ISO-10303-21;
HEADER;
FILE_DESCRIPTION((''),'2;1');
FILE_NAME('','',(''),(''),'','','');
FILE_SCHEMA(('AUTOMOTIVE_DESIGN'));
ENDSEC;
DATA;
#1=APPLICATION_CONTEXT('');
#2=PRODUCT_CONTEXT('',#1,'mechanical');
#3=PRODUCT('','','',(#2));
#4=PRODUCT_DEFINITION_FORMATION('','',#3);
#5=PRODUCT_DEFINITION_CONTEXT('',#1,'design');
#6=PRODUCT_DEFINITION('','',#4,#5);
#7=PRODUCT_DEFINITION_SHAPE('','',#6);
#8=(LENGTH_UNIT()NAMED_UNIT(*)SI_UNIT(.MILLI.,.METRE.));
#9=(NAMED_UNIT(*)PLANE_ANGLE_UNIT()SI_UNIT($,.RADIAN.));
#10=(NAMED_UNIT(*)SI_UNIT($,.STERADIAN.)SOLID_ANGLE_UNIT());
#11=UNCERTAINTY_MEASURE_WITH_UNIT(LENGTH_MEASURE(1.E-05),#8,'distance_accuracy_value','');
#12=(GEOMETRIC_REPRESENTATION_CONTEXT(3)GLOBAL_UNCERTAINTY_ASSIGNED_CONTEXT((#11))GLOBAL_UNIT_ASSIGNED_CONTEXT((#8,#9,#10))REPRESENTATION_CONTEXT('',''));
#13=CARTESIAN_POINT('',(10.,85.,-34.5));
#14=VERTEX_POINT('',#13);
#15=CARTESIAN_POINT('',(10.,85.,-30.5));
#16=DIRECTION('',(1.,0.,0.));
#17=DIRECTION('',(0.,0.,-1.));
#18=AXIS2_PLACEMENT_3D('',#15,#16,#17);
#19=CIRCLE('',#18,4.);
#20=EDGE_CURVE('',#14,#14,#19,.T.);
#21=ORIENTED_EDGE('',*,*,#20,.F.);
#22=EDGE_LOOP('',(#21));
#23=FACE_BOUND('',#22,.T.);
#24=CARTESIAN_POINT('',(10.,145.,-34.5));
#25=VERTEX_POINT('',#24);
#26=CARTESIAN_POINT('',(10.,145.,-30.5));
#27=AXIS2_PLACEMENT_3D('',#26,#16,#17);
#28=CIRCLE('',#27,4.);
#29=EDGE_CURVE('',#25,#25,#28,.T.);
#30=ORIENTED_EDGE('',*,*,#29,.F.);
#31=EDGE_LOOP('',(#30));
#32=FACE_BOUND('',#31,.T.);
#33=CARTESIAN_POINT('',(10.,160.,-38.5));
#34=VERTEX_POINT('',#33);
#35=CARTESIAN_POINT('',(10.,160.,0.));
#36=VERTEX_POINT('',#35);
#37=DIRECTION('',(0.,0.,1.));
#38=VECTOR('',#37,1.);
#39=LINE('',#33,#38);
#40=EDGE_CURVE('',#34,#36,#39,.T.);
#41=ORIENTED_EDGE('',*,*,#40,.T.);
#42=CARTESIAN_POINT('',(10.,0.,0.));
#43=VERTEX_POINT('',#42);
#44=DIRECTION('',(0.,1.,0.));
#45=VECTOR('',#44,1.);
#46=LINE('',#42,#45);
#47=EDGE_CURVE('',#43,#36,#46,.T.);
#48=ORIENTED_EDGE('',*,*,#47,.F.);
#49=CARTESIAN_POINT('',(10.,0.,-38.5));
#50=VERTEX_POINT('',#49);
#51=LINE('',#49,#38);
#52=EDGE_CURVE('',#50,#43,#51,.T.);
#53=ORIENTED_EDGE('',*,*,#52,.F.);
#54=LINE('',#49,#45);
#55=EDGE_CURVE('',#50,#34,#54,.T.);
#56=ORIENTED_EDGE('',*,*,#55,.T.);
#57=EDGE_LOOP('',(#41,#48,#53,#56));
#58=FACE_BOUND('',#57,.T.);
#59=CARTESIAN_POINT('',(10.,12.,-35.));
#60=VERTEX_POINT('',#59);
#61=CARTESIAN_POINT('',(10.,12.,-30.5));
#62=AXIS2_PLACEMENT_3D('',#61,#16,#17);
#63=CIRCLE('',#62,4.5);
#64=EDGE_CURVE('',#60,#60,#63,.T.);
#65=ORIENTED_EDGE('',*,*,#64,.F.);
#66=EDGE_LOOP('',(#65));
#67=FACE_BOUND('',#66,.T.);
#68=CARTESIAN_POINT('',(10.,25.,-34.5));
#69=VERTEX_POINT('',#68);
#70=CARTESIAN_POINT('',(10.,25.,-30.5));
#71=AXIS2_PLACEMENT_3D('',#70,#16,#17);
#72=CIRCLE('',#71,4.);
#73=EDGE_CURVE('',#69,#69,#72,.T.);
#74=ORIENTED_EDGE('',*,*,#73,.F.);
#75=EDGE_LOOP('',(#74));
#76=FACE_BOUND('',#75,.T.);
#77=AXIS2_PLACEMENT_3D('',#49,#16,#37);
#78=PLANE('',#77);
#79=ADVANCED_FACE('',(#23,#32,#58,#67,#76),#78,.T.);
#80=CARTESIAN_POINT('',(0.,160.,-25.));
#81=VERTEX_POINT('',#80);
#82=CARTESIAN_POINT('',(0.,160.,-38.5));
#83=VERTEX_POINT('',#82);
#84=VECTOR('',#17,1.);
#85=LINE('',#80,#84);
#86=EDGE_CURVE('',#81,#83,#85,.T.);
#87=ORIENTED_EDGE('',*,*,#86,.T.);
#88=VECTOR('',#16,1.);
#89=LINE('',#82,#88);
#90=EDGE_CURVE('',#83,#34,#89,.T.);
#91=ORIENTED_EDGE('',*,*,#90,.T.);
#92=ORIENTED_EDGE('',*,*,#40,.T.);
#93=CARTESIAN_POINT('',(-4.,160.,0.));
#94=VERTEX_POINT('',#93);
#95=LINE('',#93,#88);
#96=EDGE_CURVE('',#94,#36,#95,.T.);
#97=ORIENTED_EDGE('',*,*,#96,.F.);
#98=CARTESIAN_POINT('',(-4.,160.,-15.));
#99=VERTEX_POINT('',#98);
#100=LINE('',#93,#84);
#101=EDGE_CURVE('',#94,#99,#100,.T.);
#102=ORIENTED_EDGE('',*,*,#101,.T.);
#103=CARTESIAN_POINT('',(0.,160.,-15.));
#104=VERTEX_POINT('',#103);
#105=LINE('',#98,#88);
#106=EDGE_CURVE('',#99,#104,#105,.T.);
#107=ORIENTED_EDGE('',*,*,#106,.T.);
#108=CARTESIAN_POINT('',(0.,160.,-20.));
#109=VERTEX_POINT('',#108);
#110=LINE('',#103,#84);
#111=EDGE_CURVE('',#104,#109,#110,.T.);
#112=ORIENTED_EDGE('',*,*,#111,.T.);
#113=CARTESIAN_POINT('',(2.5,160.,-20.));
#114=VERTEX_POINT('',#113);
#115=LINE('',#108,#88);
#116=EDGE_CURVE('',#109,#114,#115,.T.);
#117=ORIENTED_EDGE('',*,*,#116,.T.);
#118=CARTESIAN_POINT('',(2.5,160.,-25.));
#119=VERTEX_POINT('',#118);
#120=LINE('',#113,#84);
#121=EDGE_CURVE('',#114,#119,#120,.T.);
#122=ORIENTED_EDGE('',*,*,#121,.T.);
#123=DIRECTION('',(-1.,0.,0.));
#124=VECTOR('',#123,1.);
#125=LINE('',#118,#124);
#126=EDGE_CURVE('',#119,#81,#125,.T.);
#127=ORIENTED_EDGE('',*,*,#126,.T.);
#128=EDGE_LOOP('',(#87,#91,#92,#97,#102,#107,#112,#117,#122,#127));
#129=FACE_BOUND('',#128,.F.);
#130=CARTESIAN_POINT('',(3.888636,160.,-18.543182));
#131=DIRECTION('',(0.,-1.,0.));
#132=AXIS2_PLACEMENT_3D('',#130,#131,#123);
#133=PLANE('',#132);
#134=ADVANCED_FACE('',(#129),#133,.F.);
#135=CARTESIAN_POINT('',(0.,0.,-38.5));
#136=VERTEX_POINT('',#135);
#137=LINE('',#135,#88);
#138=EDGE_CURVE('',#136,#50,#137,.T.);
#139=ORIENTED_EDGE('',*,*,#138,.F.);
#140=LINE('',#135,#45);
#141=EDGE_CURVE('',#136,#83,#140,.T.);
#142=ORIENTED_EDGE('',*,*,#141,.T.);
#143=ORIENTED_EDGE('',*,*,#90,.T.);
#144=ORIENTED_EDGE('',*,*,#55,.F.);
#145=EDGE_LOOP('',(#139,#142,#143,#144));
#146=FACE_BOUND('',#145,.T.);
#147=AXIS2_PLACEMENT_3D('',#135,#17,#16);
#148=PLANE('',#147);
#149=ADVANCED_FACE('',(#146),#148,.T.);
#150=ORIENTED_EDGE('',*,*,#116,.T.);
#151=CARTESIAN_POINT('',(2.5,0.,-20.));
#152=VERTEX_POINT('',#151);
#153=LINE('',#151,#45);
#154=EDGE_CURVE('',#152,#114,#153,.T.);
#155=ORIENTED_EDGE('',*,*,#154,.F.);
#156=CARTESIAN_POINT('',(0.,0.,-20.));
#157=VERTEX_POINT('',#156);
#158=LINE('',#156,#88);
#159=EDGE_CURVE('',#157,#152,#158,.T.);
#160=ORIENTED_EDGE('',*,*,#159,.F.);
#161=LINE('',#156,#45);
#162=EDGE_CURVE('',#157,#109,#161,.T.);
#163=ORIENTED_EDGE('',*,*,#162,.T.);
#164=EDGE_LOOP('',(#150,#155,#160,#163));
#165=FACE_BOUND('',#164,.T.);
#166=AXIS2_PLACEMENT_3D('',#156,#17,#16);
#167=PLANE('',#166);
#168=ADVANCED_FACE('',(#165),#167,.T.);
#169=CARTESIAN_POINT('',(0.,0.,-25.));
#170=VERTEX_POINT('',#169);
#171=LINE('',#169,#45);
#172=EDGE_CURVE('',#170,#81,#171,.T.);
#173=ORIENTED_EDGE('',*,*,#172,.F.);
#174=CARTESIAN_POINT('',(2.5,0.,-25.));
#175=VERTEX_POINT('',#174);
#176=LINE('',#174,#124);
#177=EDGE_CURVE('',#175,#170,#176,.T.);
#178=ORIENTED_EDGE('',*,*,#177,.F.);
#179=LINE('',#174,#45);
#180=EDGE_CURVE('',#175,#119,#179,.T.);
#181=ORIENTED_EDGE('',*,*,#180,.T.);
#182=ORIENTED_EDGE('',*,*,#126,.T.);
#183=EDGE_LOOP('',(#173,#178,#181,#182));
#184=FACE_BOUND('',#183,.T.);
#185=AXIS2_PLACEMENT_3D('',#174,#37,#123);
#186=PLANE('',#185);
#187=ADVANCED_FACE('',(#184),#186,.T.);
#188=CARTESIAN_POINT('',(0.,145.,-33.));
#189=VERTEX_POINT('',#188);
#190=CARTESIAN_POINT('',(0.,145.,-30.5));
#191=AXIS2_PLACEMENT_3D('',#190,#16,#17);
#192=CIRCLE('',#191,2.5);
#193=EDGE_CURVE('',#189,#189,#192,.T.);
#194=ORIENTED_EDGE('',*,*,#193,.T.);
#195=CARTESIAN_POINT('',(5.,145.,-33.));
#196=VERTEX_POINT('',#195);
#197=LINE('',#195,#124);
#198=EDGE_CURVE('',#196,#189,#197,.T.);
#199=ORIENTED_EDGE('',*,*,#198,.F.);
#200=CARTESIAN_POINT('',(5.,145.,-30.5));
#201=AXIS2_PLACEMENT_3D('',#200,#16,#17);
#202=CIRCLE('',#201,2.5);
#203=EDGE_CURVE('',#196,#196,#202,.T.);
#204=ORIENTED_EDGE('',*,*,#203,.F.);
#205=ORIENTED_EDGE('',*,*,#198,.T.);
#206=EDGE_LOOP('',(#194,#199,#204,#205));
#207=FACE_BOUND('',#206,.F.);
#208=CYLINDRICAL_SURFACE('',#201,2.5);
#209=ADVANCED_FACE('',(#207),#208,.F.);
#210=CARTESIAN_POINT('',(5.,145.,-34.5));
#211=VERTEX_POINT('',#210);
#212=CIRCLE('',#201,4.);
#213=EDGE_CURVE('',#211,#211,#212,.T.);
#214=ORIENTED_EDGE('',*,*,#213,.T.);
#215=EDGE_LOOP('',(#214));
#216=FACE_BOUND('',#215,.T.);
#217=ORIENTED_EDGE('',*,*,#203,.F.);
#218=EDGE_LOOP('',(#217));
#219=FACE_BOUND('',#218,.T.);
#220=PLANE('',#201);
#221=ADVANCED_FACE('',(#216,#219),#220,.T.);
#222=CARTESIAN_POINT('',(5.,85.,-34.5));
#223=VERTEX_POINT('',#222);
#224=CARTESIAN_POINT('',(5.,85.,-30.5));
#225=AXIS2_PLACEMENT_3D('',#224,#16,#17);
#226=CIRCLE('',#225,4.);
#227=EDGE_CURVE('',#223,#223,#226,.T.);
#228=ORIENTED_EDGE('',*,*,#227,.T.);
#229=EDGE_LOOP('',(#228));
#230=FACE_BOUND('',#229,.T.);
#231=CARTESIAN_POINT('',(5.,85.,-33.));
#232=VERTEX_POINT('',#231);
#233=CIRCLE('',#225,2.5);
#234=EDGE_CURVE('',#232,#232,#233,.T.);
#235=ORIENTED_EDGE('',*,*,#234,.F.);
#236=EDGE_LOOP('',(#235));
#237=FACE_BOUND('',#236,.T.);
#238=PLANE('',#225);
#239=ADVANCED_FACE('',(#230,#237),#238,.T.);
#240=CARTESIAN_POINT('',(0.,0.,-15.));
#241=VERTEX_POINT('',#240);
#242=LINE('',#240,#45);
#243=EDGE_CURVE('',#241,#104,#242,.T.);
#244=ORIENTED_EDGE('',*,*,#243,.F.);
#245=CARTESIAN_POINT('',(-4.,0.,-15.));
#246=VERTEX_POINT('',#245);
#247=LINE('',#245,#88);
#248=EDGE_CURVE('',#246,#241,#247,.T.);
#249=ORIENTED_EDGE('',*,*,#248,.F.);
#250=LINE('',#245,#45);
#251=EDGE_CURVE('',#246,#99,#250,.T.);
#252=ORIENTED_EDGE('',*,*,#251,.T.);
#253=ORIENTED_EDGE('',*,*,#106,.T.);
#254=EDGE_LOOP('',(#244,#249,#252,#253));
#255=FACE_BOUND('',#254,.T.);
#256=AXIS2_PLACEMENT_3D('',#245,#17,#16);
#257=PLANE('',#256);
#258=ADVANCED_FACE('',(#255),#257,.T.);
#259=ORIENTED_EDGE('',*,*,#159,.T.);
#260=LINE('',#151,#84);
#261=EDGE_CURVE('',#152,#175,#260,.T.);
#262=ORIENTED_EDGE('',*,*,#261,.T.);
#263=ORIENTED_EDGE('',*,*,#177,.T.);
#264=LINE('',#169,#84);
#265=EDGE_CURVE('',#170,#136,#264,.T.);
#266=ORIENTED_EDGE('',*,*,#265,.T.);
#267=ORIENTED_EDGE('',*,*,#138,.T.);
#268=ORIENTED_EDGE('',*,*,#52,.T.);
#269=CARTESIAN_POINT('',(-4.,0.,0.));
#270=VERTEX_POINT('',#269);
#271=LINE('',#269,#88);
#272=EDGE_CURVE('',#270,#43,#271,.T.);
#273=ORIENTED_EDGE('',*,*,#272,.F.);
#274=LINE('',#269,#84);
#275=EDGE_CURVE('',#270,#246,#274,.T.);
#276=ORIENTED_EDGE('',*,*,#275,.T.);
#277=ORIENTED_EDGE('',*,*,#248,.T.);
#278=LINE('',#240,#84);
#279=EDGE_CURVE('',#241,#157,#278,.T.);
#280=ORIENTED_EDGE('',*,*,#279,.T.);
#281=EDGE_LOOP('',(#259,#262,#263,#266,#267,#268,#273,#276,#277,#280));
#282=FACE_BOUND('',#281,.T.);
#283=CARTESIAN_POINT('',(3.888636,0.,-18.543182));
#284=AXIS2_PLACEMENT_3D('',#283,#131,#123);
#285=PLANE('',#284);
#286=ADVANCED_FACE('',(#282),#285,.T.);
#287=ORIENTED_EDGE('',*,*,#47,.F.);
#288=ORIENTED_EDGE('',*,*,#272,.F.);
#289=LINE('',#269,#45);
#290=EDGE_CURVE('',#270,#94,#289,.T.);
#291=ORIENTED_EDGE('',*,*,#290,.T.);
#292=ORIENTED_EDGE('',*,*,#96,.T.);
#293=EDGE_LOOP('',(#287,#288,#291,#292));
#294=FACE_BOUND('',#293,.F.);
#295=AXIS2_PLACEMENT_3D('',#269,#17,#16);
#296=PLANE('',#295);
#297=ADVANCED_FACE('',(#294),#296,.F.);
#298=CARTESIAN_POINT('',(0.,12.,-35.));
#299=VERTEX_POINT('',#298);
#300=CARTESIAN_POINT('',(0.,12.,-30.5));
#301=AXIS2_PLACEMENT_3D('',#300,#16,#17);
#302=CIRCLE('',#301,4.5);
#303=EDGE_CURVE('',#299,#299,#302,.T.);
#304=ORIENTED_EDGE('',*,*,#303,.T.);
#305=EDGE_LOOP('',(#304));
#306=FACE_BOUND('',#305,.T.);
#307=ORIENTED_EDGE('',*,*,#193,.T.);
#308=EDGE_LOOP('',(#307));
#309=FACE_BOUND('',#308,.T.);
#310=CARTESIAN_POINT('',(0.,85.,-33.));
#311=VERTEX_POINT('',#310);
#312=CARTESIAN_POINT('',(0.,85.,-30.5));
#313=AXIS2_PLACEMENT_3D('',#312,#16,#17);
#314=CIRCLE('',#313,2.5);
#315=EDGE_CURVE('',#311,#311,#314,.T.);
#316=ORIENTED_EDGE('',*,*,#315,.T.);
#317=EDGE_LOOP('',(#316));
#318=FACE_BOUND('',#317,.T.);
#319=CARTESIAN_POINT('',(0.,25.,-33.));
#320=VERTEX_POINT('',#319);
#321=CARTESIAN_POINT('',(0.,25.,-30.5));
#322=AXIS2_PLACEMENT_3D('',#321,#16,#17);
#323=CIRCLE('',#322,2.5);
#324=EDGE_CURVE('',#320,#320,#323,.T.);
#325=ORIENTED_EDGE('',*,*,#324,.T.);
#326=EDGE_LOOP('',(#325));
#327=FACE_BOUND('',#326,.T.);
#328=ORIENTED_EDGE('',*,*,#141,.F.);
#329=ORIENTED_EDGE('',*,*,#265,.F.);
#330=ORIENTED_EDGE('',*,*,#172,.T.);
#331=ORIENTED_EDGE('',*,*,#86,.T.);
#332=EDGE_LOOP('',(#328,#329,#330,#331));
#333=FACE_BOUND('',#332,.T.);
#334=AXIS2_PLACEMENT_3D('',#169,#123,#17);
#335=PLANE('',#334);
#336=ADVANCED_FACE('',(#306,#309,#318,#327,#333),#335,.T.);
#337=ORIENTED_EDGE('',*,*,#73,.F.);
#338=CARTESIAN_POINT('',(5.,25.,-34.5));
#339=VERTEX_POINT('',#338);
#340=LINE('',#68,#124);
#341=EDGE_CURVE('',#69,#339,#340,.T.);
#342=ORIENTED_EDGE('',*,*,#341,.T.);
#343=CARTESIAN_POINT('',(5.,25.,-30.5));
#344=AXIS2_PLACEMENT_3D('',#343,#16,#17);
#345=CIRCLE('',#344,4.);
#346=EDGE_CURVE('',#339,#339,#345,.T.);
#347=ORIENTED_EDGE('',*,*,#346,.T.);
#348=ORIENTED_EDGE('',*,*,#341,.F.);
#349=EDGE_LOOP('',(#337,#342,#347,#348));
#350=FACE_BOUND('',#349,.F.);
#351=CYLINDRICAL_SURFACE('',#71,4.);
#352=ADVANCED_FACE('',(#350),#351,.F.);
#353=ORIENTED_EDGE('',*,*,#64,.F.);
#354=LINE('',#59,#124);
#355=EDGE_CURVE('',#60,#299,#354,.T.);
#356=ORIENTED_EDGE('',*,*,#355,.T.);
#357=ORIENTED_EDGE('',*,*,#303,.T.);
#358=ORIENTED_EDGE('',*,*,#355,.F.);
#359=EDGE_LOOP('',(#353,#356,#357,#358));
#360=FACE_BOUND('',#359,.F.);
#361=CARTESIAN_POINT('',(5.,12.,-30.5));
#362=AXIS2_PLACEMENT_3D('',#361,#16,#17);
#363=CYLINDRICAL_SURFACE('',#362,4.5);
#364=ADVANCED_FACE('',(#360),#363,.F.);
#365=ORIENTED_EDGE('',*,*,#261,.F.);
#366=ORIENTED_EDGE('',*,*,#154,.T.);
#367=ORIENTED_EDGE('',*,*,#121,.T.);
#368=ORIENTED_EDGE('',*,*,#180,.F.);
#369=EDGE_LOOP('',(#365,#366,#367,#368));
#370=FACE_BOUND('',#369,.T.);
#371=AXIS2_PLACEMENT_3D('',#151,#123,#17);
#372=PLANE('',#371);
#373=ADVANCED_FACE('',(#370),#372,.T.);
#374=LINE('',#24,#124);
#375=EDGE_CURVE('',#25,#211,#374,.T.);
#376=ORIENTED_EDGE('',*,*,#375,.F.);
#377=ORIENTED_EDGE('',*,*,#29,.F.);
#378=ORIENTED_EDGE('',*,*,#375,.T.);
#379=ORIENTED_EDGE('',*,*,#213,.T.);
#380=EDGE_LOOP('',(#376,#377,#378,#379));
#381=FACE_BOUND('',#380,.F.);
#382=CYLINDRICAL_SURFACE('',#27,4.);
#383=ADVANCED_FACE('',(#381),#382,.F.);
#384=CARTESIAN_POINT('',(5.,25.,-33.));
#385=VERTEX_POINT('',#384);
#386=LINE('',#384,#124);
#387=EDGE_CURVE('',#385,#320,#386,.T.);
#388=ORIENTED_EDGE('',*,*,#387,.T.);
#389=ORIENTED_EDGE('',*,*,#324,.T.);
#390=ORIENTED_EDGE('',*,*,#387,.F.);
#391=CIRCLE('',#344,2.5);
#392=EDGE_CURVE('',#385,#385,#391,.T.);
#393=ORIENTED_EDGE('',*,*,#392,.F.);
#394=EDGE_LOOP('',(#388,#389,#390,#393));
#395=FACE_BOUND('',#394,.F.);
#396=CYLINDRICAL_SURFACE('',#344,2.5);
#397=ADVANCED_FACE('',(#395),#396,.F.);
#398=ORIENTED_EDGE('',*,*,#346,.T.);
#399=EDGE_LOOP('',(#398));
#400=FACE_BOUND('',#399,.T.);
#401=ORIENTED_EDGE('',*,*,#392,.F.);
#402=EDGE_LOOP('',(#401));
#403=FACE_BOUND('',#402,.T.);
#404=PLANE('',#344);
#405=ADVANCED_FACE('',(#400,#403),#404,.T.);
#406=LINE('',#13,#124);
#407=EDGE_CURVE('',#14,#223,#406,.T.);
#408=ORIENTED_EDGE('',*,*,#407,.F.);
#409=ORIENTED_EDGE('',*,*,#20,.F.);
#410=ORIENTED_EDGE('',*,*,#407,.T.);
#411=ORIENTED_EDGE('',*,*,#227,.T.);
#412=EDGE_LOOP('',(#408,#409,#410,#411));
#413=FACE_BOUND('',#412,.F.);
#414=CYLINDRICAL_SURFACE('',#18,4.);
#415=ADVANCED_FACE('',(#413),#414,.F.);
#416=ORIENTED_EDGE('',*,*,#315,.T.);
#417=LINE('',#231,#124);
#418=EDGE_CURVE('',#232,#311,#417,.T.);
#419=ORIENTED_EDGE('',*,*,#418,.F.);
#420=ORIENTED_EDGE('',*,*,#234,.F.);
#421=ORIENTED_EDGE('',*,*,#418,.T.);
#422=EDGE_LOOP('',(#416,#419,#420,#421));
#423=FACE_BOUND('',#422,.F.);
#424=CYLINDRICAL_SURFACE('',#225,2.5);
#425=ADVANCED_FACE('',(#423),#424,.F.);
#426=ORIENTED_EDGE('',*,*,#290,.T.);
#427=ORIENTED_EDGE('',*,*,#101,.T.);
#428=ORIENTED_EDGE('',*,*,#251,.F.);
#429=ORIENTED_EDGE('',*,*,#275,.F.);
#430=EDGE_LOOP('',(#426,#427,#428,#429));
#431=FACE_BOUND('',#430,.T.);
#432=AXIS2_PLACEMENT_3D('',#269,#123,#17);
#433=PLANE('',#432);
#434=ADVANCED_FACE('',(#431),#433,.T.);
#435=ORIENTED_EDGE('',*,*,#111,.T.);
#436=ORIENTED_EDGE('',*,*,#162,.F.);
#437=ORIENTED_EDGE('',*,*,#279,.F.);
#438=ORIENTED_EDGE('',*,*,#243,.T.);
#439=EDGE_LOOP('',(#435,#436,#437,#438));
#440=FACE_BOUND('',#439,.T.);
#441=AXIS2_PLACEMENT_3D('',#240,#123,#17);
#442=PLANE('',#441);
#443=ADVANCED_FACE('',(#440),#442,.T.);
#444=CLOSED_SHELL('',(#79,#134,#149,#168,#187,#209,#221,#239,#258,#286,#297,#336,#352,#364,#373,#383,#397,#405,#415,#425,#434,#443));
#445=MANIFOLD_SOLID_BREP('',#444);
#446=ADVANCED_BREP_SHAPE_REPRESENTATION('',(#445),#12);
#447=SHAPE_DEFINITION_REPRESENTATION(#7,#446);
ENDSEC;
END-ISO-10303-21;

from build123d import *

# Parameters (mm, degrees)
BOSS_EXTRUDE1_DEPTH = 160
SKETCH2_R           = 4
SKETCH2_R_2         = 4.5
CUT_EXTRUDE2_DEPTH  = 5
SKETCH3_R           = 2.5
SKETCH3_R_2         = 4.5
CUT_EXTRUDE3_DEPTH  = 10


with BuildPart() as part:
    # Sketch1 → Boss-Extrude1 (new body)
    with BuildSketch(Plane(origin=(0, 0, 0), x_dir=(1, 0, 0), z_dir=(0, 1, 0))):
        Polygon((0, 20), (2.5, 20), (2.5, 25), (0, 25), (0, 38.5), (10, 38.5), (10, 0), (0, 0), (-4, 0), (-4, 15), (0, 15), align=None)
    extrude(amount=BOSS_EXTRUDE1_DEPTH)

    # Sketch2 → Cut-Extrude2 (cut)
    with BuildSketch(Plane(origin=(10, 0, 0), x_dir=(0, 0, -1), z_dir=(1, 0, 0))):
        with Locations((30.5, 145)):
            Circle(SKETCH2_R)
        with Locations((30.5, 85)):
            Circle(SKETCH2_R)
        with Locations((30.5, 25)):
            Circle(SKETCH2_R)
        with Locations((30.5, 12)):
            Circle(SKETCH2_R_2)
    extrude(amount=-CUT_EXTRUDE2_DEPTH, mode=Mode.SUBTRACT)

    # Sketch3 → Cut-Extrude3 (cut, through all)
    with BuildSketch(Plane(origin=(5, 0, 0), x_dir=(0, 0, -1), z_dir=(1, 0, 0))):
        with Locations((30.5, 145)):
            Circle(SKETCH3_R)
        with Locations((30.5, 85)):
            Circle(SKETCH3_R)
        with Locations((30.5, 25)):
            Circle(SKETCH3_R)
        with Locations((30.5, 12)):
            Circle(SKETCH3_R_2)
    extrude(amount=-CUT_EXTRUDE3_DEPTH, mode=Mode.SUBTRACT)


solid = part.part
